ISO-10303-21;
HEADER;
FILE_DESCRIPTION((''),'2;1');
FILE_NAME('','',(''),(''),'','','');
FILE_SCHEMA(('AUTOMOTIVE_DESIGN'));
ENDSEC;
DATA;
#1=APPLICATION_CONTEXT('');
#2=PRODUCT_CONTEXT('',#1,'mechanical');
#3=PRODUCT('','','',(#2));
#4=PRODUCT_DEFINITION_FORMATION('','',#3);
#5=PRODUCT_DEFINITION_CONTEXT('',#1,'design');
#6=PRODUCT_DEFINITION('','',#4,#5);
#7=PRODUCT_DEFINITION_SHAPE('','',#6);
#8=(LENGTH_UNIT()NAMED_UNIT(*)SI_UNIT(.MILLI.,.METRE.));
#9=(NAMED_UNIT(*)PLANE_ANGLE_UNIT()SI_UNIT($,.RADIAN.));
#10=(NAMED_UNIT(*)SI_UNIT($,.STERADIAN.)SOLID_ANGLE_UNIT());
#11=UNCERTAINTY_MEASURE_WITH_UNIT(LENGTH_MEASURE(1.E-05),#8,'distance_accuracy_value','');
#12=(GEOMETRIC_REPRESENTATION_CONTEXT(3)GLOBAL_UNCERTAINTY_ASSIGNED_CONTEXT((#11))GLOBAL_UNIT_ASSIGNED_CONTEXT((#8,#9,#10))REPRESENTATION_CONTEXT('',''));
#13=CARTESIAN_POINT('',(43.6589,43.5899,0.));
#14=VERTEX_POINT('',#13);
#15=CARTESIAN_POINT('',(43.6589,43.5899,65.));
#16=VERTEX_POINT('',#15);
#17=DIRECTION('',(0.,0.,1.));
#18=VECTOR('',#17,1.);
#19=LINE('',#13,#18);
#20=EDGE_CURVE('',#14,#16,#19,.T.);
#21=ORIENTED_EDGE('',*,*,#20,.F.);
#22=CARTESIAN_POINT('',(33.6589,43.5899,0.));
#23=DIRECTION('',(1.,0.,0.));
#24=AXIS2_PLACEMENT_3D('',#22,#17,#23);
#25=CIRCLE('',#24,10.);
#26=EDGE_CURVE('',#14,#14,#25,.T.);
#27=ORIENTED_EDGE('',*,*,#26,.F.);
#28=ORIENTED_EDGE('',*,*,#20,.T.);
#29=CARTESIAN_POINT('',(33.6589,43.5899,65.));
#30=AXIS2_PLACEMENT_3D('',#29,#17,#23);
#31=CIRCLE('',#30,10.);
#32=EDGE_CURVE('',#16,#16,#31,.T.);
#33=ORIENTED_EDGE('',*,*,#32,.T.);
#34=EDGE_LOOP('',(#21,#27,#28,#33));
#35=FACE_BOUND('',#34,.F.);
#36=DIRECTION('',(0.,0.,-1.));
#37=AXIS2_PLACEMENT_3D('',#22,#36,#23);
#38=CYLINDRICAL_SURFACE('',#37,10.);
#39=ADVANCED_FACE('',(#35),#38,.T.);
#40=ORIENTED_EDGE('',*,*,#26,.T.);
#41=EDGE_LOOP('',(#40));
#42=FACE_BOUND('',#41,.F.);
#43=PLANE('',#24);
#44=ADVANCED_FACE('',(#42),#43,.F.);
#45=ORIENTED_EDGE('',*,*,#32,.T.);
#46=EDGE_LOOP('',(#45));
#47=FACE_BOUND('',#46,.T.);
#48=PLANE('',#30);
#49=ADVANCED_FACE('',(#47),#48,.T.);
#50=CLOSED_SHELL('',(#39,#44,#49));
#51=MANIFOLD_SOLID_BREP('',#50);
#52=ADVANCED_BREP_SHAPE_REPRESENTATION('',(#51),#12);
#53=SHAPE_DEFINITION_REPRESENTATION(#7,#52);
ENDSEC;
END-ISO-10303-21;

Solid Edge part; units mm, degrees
sketch "Sketch1" plane through (0, 0, 0) normal (0, 0, 1) x (1, 0, 0)
  circle A0 centre (33.6589, 43.5899) radius 10
extrude "Protrusion1" add sketch "Sketch1" along normal blind 65
